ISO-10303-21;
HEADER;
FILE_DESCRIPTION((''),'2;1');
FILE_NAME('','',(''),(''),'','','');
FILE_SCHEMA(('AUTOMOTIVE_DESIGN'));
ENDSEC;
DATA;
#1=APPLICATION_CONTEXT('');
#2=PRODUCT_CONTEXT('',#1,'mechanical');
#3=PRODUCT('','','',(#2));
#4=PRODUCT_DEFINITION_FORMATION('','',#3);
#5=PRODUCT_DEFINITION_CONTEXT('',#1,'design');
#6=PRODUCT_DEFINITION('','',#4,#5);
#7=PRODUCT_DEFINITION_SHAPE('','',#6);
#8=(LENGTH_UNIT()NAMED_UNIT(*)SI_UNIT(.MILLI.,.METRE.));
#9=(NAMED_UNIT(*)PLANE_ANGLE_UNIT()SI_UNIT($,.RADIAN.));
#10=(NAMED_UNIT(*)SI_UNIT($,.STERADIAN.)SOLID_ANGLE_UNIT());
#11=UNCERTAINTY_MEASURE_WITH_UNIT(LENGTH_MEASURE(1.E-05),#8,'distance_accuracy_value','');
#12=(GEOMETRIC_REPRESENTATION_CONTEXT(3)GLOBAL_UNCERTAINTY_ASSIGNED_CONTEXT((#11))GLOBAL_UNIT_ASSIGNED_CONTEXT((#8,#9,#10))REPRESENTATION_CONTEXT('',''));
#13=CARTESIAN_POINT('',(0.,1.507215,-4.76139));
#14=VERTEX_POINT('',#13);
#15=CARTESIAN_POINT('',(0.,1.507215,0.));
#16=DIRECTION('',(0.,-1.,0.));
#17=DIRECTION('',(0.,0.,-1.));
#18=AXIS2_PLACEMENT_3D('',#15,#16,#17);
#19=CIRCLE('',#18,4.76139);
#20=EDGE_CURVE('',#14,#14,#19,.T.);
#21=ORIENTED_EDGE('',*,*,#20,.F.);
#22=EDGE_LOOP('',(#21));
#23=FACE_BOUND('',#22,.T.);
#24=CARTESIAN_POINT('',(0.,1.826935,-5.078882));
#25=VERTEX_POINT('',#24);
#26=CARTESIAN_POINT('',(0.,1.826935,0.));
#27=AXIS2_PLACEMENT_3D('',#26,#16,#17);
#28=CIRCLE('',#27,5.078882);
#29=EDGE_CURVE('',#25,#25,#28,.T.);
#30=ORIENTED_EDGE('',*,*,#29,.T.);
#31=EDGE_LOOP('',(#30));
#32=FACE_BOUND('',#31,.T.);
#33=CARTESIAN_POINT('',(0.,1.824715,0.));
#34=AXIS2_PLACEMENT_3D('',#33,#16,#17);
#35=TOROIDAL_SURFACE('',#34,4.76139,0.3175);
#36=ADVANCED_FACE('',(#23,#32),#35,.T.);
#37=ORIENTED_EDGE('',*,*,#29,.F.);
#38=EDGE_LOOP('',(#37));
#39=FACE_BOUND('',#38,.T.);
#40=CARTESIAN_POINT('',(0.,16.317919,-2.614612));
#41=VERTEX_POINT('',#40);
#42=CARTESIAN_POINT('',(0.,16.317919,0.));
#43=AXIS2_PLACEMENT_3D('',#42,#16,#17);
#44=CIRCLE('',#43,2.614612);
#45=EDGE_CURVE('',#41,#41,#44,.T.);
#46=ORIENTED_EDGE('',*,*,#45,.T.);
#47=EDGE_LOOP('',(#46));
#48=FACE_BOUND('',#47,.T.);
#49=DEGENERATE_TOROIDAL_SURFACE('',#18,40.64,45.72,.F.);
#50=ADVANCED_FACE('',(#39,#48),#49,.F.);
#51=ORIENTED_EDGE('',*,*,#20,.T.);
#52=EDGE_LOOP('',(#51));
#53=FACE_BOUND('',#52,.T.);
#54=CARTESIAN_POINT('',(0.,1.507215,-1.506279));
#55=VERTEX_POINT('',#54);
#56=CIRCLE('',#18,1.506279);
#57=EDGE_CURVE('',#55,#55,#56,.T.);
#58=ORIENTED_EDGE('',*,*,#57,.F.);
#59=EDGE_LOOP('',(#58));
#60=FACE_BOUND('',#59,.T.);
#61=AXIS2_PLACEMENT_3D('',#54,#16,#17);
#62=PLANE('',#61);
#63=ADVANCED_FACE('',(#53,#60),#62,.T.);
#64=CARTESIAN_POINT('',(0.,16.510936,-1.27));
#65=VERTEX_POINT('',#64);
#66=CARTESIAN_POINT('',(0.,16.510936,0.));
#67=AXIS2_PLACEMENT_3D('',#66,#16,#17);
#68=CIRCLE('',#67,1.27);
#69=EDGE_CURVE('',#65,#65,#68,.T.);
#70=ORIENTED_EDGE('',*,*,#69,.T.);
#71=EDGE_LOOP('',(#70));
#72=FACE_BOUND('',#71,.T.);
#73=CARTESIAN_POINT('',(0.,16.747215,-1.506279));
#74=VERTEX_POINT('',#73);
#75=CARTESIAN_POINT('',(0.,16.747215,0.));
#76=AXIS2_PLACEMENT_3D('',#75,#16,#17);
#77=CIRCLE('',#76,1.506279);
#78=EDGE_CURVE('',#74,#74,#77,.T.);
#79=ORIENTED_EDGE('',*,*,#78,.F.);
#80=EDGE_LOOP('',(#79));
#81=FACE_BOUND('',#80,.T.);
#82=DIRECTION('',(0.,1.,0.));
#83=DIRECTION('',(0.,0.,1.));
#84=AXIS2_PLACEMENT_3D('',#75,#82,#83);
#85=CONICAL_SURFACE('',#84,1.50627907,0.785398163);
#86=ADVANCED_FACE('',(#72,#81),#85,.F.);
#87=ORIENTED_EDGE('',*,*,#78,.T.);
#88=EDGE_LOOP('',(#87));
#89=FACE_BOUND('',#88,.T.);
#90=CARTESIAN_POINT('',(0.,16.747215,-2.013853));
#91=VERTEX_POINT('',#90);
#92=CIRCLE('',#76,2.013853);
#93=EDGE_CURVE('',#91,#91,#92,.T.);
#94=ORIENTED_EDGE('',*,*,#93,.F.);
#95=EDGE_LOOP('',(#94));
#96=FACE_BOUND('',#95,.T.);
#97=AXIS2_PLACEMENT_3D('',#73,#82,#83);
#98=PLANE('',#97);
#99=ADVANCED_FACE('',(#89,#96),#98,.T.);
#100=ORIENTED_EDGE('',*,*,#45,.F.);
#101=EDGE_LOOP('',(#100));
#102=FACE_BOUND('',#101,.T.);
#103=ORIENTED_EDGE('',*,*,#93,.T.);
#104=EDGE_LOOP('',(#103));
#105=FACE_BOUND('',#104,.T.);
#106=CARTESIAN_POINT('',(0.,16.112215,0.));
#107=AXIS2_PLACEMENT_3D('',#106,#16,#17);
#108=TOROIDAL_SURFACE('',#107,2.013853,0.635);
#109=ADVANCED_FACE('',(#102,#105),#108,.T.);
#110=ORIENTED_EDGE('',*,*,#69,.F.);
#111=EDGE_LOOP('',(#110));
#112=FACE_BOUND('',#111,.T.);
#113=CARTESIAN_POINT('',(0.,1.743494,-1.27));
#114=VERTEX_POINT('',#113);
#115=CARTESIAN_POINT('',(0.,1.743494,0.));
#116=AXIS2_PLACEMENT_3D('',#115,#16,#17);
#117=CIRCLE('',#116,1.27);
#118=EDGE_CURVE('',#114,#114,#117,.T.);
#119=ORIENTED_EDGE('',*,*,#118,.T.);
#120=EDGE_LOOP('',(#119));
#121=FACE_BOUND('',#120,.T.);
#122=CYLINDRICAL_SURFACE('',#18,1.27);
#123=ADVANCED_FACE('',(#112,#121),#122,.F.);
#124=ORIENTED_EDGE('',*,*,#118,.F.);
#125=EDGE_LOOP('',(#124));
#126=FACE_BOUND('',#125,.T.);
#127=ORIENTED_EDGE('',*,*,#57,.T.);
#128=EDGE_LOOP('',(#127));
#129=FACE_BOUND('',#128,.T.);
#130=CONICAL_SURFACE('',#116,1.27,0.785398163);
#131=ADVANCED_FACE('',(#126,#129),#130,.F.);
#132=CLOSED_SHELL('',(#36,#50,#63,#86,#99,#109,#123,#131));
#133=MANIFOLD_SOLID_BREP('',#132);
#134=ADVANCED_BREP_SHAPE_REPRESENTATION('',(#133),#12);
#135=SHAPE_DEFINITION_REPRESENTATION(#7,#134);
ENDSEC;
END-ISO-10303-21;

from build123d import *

# Parameters (mm, degrees)
SCALE1_SCALE = 0.8


with BuildPart() as part:
    # Sketch1 → Revolve1 (revolve)
    with BuildSketch(Plane(origin=(0, 0, 0), x_dir=(0, 0, -1), z_dir=(1, 0, 0))):
        with BuildLine():
            Line((1.5875, 0.295348837), (1.5875, 18.754651163))
            Line((1.5875, 18.754651163), (1.882848837, 19.05))
            Line((1.882848837, 19.05), (2.517316605, 19.05))
            ThreePointArc((2.517316605, 19.05), (2.978804363, 18.902058108), (3.268264727, 18.513380282))
            ThreePointArc((3.268264727, 18.513380282), (5.541145691, 9.581116964), (6.348602604, 0.39965035))
            ThreePointArc((6.348602604, 0.39965035), (6.233349837, 0.117224952), (5.951737308, 0))
            Line((5.951737308, 0), (1.882848837, 0))
            Line((1.882848837, 0), (1.5875, 0.295348837))
        make_face()
    revolve(axis=Axis((0, 0, 0), (0, 1, 0)))


with BuildPart() as part_1:
    # Scale1: scaled about (0, 7.536075139, 0)
    add(part.part.scale(SCALE1_SCALE).moved(Location((0, 1.507215028, 0))))


solid = part_1.part
